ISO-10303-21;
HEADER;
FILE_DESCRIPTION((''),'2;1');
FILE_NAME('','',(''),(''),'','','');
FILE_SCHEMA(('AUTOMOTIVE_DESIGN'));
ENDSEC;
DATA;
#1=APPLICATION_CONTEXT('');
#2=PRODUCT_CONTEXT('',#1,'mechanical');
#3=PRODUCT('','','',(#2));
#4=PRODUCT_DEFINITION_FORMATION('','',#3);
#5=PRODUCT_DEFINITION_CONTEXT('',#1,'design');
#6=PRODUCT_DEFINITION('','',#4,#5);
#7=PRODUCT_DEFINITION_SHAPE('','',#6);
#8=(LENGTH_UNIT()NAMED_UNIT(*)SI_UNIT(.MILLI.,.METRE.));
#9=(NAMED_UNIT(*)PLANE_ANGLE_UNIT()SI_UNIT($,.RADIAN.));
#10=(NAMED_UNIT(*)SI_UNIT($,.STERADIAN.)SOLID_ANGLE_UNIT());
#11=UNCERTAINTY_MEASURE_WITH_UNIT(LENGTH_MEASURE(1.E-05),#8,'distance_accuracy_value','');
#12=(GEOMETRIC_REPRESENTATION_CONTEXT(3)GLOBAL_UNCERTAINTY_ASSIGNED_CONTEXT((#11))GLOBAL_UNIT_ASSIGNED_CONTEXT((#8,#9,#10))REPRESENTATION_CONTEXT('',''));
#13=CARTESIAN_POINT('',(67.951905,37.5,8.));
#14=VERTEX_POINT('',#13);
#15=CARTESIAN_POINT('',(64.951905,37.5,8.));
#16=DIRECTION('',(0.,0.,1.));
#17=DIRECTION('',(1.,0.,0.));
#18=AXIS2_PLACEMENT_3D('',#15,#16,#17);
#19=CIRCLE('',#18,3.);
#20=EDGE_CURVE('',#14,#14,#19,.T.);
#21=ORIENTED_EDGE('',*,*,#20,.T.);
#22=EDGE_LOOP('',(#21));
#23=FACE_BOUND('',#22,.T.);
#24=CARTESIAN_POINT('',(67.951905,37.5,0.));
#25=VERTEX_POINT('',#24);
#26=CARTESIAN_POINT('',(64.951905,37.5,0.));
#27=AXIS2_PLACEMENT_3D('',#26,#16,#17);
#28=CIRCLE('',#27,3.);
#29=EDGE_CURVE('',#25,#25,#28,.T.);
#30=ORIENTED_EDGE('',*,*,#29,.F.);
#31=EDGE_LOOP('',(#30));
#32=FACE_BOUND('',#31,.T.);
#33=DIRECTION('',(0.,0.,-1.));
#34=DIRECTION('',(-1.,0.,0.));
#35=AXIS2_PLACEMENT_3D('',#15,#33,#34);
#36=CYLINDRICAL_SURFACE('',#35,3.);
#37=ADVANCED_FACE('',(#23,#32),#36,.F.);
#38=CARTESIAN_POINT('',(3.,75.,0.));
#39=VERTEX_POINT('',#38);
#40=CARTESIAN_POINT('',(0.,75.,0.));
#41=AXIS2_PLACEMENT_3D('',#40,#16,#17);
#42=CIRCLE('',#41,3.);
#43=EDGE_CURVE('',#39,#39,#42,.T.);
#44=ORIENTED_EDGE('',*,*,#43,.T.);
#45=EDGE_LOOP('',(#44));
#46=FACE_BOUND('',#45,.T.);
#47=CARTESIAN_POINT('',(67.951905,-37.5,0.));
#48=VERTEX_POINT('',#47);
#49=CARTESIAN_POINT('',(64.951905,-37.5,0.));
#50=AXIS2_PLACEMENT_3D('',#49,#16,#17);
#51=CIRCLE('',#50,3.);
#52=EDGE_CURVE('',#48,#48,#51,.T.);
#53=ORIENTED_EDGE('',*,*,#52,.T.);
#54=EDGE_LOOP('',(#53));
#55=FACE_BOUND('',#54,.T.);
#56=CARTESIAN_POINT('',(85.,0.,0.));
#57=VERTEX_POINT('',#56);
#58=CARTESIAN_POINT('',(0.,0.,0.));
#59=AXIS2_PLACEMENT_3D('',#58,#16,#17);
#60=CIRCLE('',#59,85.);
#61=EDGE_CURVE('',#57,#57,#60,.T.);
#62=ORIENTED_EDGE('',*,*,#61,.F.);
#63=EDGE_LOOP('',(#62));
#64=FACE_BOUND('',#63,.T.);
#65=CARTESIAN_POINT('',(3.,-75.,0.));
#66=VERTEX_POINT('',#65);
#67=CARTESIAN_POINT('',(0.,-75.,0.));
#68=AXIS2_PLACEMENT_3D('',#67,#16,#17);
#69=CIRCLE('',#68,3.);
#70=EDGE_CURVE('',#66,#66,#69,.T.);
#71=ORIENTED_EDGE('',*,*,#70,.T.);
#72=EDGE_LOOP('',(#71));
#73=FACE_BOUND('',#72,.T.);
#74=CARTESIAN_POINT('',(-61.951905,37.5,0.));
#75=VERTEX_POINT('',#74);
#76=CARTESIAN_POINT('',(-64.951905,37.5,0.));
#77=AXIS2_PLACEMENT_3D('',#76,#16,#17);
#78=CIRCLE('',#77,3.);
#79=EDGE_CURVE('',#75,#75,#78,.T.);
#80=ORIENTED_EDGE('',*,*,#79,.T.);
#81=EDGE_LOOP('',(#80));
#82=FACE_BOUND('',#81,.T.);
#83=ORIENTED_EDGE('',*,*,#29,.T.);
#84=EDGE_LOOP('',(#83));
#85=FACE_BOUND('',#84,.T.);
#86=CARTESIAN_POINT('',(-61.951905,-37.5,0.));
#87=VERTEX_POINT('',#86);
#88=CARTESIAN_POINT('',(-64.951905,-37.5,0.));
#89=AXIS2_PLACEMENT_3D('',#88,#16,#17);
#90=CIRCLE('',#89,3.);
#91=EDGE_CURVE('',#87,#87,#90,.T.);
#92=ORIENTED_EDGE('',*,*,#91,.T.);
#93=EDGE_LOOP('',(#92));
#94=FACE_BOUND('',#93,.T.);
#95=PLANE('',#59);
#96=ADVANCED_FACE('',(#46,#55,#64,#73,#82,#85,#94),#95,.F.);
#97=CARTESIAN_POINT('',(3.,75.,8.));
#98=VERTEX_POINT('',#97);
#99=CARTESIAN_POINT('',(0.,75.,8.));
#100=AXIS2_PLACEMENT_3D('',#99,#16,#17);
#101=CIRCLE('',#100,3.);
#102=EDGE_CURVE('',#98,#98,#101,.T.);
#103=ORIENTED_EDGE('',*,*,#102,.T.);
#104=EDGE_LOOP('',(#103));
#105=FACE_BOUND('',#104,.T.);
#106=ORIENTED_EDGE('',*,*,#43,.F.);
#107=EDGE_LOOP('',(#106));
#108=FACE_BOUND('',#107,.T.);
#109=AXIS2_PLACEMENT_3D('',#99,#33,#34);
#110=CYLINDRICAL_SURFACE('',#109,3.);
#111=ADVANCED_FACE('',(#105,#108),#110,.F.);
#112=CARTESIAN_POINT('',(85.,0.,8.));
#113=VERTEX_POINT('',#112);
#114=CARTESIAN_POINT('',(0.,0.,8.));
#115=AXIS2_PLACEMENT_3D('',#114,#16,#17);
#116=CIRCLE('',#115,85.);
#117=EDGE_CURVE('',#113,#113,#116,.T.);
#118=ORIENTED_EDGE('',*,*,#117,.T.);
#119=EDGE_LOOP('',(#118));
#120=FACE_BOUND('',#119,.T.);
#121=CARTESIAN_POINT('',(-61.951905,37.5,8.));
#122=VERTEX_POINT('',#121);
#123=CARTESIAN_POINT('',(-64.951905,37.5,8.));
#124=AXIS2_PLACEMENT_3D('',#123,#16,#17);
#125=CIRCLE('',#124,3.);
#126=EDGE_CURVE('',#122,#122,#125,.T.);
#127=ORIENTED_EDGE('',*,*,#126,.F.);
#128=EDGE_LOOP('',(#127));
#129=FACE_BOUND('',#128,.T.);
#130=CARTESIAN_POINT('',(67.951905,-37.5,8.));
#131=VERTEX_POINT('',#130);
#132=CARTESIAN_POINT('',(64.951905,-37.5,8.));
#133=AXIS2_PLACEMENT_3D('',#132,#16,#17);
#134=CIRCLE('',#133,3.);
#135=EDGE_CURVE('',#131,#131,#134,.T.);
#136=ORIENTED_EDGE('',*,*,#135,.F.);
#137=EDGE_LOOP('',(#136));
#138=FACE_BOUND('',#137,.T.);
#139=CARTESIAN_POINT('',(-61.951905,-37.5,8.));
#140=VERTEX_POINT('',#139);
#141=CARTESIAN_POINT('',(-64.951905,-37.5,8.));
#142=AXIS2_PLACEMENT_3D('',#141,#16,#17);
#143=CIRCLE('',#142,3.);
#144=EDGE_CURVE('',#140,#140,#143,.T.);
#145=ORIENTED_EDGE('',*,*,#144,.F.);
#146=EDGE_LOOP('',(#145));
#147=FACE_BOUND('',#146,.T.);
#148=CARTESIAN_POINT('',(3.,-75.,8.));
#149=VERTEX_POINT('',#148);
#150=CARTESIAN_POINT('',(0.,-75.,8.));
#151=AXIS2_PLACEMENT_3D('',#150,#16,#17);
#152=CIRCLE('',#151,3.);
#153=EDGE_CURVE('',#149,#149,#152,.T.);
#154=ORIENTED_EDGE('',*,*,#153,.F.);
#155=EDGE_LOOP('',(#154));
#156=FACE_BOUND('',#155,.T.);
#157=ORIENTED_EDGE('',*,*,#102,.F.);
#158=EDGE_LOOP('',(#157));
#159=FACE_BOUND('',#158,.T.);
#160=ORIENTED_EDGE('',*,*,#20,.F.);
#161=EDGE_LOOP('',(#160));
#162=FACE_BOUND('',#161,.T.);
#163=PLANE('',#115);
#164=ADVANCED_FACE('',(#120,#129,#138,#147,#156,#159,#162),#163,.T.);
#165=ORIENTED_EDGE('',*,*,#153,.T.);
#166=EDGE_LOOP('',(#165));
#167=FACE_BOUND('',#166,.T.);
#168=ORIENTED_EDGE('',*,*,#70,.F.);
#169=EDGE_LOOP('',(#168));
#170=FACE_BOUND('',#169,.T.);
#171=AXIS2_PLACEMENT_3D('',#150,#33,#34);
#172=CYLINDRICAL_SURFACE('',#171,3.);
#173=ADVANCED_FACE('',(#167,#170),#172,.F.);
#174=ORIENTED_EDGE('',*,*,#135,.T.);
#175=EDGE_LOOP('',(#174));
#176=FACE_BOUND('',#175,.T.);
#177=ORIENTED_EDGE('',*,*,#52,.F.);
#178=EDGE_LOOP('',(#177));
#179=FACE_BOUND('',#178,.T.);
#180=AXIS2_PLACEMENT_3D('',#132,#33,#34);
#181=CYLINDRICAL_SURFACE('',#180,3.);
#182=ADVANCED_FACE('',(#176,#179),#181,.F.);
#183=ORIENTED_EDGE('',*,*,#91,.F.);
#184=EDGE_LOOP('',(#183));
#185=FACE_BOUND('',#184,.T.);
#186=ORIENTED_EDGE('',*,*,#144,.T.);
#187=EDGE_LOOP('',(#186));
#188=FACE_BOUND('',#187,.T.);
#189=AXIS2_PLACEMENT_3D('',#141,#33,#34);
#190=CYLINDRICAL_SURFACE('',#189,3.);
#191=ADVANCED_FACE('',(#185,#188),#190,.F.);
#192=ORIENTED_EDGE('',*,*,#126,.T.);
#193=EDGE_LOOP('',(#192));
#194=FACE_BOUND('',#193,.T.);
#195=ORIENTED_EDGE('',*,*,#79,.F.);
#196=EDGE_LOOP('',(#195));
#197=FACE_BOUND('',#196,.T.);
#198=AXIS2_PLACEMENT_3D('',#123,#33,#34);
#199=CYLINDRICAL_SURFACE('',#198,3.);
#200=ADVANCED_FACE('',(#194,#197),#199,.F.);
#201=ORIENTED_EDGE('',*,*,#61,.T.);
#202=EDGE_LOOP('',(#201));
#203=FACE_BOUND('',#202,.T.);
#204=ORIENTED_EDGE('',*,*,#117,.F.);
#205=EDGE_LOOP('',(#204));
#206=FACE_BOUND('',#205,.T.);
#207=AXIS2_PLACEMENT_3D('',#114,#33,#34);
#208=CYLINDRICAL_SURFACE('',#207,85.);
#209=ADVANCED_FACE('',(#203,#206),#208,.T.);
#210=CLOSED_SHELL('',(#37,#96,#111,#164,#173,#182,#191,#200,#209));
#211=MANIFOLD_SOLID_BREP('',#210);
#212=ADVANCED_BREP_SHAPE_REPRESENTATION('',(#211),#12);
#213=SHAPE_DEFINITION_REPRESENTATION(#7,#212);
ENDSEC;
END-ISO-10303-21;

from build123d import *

# Parameters (mm, degrees)
SKETCH_1_R      = 85
SKETCH_1_R_2    = 3
EXTRUDE_1_DEPTH = 8


with BuildPart() as part:
    # 草图1 → 凸台-拉伸1 (new body)
    with BuildSketch(Plane.XY):
        Circle(SKETCH_1_R)
        with Locations((0, 75)):
            Circle(SKETCH_1_R_2, mode=Mode.SUBTRACT)
        with Locations((64.951905284, 37.5)):
            Circle(SKETCH_1_R_2, mode=Mode.SUBTRACT)
        with Locations((64.951905284, -37.5)):
            Circle(SKETCH_1_R_2, mode=Mode.SUBTRACT)
        with Locations((0, -75)):
            Circle(SKETCH_1_R_2, mode=Mode.SUBTRACT)
        with Locations((-64.951905284, -37.5)):
            Circle(SKETCH_1_R_2, mode=Mode.SUBTRACT)
        with Locations((-64.951905284, 37.5)):
            Circle(SKETCH_1_R_2, mode=Mode.SUBTRACT)
    extrude(amount=EXTRUDE_1_DEPTH)


solid = part.part
